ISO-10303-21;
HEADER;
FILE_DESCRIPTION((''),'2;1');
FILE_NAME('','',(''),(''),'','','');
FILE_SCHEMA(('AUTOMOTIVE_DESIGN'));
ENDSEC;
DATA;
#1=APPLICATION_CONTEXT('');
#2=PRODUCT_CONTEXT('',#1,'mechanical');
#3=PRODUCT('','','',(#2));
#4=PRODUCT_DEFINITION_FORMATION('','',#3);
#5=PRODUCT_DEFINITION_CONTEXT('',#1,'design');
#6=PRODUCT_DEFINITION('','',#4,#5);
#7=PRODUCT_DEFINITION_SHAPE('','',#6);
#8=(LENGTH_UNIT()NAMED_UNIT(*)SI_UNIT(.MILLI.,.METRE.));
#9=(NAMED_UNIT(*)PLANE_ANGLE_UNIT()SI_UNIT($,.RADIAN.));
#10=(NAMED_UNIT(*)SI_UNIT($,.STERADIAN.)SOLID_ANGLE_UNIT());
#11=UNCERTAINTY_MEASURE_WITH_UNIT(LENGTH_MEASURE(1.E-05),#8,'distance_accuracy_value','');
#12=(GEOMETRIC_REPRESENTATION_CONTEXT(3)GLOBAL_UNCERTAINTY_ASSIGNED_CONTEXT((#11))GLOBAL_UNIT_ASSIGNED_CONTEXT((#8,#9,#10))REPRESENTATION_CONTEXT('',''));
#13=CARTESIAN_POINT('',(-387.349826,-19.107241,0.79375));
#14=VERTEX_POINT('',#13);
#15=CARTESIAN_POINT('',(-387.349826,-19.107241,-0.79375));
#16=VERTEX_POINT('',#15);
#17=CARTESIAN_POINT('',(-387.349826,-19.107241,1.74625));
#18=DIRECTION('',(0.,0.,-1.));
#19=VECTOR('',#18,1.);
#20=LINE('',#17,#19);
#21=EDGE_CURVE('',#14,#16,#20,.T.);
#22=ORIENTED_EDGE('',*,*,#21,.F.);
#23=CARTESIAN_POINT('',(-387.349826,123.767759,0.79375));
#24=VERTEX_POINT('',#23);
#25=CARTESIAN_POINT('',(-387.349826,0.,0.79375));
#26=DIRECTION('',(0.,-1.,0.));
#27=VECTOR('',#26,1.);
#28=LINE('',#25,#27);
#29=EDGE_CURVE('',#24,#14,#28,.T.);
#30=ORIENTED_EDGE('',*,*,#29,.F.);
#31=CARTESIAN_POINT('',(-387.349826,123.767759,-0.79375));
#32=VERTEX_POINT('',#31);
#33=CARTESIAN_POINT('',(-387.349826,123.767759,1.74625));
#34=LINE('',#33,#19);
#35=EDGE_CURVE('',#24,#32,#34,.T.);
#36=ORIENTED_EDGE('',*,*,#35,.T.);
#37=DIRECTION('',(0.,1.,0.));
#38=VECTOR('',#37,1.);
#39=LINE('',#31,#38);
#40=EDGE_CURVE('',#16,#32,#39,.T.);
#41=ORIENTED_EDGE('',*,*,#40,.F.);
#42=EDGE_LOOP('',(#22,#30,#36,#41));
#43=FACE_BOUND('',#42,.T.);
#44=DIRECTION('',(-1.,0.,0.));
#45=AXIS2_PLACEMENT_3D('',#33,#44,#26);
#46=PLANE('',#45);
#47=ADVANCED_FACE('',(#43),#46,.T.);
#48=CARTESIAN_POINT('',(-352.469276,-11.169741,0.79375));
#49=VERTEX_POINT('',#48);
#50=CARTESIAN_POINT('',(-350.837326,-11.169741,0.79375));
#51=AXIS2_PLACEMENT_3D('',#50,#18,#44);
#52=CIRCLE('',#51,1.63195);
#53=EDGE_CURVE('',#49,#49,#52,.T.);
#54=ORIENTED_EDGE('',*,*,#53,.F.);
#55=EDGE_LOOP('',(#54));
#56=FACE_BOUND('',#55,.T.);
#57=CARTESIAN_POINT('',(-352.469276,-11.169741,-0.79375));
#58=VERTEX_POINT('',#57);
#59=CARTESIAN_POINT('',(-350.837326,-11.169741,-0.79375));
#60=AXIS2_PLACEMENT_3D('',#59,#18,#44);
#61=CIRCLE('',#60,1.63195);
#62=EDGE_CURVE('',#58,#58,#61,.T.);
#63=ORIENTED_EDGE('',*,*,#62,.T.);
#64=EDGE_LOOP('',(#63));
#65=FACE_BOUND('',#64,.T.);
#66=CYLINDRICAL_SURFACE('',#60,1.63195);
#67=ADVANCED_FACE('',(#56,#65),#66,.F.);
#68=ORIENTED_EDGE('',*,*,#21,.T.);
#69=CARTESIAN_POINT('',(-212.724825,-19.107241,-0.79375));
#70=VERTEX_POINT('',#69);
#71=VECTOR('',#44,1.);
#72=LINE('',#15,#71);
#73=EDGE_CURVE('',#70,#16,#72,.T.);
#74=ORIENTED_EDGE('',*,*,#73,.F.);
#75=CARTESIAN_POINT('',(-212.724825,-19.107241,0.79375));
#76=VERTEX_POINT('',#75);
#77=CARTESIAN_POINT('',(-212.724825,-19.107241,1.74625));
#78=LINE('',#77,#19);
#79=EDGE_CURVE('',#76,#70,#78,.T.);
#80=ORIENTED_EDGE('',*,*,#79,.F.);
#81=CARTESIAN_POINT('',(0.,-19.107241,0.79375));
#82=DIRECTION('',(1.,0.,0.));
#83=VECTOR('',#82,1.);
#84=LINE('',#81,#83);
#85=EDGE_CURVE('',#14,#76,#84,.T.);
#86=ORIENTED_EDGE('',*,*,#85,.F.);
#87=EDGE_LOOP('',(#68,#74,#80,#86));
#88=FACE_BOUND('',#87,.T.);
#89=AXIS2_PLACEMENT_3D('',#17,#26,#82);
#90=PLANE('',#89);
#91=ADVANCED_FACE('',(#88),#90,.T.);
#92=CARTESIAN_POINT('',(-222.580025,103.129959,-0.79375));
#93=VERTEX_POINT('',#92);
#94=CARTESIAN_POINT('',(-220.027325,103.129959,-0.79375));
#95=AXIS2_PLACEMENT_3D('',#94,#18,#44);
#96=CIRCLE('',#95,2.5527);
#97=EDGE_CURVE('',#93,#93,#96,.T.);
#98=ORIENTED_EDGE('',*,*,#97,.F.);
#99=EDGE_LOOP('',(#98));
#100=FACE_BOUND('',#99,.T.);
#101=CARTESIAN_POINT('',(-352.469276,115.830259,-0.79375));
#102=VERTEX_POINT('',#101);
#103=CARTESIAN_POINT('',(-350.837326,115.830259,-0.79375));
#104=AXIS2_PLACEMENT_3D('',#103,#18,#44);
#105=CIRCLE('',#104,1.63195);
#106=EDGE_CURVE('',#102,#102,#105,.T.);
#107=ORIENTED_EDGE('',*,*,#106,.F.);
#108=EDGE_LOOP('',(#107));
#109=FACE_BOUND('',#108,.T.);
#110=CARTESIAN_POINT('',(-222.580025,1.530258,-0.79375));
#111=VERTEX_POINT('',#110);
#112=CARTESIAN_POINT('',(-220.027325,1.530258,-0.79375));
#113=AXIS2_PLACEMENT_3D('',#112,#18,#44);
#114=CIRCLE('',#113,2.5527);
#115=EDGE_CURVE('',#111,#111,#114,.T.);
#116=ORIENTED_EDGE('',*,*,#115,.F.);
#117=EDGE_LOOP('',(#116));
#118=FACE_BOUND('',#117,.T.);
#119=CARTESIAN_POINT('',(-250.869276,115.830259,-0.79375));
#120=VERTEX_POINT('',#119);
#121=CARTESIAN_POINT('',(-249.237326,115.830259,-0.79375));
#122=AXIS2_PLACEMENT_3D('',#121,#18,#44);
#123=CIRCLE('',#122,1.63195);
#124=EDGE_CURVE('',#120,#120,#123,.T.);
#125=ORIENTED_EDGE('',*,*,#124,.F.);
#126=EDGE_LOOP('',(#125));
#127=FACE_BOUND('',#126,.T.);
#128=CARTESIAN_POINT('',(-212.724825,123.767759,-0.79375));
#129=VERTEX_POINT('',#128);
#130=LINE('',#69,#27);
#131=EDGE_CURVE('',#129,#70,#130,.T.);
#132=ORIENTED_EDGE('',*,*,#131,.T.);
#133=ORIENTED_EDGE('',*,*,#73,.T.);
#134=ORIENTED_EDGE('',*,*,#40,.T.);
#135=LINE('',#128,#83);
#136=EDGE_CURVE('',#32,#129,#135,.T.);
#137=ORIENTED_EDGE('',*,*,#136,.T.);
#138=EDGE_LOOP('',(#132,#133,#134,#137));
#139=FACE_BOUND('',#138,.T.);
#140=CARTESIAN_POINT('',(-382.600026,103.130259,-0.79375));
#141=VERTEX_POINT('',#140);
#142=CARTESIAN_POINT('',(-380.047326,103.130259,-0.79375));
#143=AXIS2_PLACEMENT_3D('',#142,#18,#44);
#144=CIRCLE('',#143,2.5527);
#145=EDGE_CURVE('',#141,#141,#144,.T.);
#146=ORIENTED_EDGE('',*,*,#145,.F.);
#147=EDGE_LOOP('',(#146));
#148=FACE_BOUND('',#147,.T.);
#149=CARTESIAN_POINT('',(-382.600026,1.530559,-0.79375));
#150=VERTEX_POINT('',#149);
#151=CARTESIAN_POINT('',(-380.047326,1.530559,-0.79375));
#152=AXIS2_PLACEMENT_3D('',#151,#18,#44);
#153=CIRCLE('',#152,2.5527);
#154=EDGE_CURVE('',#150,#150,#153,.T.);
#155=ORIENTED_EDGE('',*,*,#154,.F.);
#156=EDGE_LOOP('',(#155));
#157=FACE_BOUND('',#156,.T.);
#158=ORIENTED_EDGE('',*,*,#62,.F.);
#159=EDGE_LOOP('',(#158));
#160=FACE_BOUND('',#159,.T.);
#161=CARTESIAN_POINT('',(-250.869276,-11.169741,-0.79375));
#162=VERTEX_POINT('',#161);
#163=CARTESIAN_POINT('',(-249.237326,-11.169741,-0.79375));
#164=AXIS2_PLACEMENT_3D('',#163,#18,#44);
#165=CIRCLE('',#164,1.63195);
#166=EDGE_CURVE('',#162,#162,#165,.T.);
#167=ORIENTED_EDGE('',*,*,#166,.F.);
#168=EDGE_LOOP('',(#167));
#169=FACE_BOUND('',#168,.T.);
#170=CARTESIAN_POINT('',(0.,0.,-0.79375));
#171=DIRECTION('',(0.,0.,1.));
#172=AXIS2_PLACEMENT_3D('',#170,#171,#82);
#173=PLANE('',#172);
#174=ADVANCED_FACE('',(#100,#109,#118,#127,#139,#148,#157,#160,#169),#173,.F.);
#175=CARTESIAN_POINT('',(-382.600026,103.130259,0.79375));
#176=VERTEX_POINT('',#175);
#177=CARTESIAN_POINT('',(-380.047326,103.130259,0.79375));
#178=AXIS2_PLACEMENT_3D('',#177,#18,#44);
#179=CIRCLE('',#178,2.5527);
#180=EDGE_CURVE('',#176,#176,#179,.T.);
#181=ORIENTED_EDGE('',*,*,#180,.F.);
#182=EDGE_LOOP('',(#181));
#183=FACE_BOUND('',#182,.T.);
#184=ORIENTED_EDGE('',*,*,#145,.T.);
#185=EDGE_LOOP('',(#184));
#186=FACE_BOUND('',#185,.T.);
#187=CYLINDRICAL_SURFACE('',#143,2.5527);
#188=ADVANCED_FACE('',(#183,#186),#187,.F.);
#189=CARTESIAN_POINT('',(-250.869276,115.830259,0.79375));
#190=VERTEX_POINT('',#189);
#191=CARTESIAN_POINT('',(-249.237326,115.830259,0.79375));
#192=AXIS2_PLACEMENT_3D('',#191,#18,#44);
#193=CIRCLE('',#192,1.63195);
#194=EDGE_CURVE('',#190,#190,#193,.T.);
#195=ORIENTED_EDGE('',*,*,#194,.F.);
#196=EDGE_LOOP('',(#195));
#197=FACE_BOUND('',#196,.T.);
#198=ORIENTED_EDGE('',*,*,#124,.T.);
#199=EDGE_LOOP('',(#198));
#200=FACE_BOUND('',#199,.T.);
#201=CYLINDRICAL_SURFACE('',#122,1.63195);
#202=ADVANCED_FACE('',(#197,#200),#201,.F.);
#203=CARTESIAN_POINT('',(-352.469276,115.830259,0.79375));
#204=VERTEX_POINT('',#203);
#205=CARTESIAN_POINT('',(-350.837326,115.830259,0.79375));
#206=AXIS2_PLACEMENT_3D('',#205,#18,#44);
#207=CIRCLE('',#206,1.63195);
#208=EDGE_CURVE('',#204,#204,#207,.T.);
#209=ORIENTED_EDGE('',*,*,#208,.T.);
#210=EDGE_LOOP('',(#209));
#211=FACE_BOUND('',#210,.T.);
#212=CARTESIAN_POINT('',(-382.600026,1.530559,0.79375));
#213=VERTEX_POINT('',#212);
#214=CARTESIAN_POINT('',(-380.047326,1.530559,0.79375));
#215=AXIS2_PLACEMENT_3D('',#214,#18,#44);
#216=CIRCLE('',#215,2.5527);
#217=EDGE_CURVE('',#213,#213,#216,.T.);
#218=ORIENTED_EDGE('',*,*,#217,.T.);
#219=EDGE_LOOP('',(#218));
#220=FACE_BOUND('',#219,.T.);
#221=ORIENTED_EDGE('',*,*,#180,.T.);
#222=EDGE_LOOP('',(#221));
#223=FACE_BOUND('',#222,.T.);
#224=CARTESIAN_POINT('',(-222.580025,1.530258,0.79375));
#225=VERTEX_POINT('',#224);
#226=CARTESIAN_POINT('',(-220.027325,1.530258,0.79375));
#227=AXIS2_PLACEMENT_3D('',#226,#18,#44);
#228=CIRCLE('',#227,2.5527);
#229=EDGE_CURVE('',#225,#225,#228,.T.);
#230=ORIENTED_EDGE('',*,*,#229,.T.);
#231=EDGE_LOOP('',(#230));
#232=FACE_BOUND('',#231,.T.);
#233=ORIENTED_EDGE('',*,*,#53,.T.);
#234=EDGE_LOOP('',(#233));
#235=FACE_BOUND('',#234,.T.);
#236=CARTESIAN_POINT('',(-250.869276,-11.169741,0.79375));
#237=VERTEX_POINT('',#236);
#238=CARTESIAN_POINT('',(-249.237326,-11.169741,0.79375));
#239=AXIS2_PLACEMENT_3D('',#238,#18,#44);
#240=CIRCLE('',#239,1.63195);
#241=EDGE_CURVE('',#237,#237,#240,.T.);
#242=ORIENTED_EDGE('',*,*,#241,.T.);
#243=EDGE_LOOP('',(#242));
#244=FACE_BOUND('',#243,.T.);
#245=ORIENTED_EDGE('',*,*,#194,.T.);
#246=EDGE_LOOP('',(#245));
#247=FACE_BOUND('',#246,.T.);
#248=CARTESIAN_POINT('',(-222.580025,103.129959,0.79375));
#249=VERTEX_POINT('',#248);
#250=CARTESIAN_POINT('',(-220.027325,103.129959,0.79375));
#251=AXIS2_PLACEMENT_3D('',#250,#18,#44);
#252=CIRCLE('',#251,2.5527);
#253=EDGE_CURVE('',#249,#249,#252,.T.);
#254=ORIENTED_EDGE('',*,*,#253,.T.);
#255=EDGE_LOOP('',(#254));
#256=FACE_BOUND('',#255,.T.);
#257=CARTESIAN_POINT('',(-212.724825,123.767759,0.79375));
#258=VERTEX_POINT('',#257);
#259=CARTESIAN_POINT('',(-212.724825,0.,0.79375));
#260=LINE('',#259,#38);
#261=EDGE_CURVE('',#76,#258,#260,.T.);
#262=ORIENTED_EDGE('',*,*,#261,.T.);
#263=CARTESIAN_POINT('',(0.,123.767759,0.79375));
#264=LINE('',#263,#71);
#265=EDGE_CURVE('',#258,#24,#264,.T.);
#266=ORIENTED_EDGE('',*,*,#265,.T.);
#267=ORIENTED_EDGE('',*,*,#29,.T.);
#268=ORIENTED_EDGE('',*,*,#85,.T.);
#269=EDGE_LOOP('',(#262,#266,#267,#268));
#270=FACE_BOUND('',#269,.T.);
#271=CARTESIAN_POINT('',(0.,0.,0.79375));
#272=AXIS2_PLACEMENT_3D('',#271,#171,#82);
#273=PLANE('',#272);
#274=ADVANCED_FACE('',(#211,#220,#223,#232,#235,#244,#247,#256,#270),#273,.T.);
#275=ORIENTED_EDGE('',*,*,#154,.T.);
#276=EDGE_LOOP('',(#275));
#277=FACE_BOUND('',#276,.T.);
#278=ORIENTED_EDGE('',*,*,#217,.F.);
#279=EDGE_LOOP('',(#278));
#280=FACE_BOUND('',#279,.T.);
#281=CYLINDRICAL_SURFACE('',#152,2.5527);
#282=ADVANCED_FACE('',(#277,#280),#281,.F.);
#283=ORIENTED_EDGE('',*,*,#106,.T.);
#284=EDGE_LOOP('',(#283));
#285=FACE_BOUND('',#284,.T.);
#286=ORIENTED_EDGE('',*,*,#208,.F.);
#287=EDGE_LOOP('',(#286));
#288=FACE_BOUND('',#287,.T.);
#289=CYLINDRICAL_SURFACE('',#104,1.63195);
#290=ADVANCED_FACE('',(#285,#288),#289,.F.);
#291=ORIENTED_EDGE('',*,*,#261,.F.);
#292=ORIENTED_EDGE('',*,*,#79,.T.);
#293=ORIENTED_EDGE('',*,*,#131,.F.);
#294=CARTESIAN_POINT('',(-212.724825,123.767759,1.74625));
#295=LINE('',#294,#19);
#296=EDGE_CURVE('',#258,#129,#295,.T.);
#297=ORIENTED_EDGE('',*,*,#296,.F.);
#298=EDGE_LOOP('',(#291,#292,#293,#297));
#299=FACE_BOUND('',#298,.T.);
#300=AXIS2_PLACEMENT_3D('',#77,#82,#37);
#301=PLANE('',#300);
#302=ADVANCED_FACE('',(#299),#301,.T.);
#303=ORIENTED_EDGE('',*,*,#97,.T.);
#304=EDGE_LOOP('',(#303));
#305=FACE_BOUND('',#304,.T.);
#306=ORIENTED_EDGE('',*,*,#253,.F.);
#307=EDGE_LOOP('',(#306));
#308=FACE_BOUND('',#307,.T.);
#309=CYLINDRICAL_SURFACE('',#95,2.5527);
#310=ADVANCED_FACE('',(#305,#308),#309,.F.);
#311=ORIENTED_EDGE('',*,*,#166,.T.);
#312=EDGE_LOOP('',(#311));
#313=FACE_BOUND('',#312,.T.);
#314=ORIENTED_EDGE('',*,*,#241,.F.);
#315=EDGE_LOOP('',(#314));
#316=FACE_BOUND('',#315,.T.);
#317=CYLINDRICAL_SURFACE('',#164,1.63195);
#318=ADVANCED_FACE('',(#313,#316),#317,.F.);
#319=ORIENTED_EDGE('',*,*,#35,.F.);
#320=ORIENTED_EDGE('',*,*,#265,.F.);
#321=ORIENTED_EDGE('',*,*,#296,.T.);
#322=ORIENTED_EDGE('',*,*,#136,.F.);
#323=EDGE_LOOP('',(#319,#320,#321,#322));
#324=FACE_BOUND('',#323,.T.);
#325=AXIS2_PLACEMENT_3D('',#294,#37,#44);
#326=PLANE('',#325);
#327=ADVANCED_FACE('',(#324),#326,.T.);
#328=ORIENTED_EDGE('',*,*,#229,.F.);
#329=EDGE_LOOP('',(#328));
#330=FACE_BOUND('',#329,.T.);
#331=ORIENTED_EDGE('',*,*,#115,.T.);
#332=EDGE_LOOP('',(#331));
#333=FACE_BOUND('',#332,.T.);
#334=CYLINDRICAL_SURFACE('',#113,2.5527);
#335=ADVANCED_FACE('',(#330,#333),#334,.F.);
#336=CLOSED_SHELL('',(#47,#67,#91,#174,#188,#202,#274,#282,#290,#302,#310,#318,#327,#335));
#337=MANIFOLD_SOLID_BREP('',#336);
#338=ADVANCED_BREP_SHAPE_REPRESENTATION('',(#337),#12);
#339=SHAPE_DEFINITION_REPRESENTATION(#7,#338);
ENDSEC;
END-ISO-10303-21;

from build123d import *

# Parameters (mm, degrees)
SKETCH3_W              = 914.4
SKETCH3_H              = 609.6
BOSS_EXTRUDE1_DEPTH    = 0.79375
SKETCH4_OUTSIDE_W      = 1136.194
SKETCH4_OUTSIDE_H      = 831.394
CUT_EXTRUDE1_DEPTH     = 2.54
F_4_CLEARANCE_HOLE1_D  = 3.2639
F_10_CLEARANCE_HOLE1_D = 5.1054


with BuildPart() as part:
    # Sketch3 → Boss-Extrude1 (new, symmetric)
    with BuildSketch(Plane.XY):
        Rectangle(SKETCH3_W, SKETCH3_H)
    extrude(amount=BOSS_EXTRUDE1_DEPTH, both=True)

    # Sketch4 outside → Cut-Extrude1 (cut)
    with BuildSketch(Plane(origin=(0, 0, -0.79375), x_dir=(-1, 0, 0), z_dir=(0, 0, -1))):
        Rectangle(SKETCH4_OUTSIDE_W, SKETCH4_OUTSIDE_H)
        Polygon((387.349825772, -19.107241188), (212.724825222, -19.107241187), (212.724825222, 123.767758813), (387.349825755, 123.767758812), align=None, mode=Mode.SUBTRACT)
    extrude(amount=-CUT_EXTRUDE1_DEPTH, mode=Mode.SUBTRACT)

    # #4 Clearance Hole1 (through all)
    with Locations(Plane(origin=(0, 0, -0.79375), x_dir=(-1, 0, 0), z_dir=(0, 0, -1))):
        with Locations((350.837325504, 115.830258819), (249.237325504, 115.830258806), (249.23732552, -11.169741194), (350.83732552, -11.169741181)):
            Hole(F_4_CLEARANCE_HOLE1_D / 2)

    # #10 Clearance Hole1 (through all)
    with Locations(Plane(origin=(0, 0, -0.79375), x_dir=(-1, 0, 0), z_dir=(0, 0, -1))):
        with Locations((220.027325222, 1.530258305), (220.027325222, 103.129958819), (380.047325758, 103.130259319), (380.04732577, 1.530558805)):
            Hole(F_10_CLEARANCE_HOLE1_D / 2)


solid = part.part
